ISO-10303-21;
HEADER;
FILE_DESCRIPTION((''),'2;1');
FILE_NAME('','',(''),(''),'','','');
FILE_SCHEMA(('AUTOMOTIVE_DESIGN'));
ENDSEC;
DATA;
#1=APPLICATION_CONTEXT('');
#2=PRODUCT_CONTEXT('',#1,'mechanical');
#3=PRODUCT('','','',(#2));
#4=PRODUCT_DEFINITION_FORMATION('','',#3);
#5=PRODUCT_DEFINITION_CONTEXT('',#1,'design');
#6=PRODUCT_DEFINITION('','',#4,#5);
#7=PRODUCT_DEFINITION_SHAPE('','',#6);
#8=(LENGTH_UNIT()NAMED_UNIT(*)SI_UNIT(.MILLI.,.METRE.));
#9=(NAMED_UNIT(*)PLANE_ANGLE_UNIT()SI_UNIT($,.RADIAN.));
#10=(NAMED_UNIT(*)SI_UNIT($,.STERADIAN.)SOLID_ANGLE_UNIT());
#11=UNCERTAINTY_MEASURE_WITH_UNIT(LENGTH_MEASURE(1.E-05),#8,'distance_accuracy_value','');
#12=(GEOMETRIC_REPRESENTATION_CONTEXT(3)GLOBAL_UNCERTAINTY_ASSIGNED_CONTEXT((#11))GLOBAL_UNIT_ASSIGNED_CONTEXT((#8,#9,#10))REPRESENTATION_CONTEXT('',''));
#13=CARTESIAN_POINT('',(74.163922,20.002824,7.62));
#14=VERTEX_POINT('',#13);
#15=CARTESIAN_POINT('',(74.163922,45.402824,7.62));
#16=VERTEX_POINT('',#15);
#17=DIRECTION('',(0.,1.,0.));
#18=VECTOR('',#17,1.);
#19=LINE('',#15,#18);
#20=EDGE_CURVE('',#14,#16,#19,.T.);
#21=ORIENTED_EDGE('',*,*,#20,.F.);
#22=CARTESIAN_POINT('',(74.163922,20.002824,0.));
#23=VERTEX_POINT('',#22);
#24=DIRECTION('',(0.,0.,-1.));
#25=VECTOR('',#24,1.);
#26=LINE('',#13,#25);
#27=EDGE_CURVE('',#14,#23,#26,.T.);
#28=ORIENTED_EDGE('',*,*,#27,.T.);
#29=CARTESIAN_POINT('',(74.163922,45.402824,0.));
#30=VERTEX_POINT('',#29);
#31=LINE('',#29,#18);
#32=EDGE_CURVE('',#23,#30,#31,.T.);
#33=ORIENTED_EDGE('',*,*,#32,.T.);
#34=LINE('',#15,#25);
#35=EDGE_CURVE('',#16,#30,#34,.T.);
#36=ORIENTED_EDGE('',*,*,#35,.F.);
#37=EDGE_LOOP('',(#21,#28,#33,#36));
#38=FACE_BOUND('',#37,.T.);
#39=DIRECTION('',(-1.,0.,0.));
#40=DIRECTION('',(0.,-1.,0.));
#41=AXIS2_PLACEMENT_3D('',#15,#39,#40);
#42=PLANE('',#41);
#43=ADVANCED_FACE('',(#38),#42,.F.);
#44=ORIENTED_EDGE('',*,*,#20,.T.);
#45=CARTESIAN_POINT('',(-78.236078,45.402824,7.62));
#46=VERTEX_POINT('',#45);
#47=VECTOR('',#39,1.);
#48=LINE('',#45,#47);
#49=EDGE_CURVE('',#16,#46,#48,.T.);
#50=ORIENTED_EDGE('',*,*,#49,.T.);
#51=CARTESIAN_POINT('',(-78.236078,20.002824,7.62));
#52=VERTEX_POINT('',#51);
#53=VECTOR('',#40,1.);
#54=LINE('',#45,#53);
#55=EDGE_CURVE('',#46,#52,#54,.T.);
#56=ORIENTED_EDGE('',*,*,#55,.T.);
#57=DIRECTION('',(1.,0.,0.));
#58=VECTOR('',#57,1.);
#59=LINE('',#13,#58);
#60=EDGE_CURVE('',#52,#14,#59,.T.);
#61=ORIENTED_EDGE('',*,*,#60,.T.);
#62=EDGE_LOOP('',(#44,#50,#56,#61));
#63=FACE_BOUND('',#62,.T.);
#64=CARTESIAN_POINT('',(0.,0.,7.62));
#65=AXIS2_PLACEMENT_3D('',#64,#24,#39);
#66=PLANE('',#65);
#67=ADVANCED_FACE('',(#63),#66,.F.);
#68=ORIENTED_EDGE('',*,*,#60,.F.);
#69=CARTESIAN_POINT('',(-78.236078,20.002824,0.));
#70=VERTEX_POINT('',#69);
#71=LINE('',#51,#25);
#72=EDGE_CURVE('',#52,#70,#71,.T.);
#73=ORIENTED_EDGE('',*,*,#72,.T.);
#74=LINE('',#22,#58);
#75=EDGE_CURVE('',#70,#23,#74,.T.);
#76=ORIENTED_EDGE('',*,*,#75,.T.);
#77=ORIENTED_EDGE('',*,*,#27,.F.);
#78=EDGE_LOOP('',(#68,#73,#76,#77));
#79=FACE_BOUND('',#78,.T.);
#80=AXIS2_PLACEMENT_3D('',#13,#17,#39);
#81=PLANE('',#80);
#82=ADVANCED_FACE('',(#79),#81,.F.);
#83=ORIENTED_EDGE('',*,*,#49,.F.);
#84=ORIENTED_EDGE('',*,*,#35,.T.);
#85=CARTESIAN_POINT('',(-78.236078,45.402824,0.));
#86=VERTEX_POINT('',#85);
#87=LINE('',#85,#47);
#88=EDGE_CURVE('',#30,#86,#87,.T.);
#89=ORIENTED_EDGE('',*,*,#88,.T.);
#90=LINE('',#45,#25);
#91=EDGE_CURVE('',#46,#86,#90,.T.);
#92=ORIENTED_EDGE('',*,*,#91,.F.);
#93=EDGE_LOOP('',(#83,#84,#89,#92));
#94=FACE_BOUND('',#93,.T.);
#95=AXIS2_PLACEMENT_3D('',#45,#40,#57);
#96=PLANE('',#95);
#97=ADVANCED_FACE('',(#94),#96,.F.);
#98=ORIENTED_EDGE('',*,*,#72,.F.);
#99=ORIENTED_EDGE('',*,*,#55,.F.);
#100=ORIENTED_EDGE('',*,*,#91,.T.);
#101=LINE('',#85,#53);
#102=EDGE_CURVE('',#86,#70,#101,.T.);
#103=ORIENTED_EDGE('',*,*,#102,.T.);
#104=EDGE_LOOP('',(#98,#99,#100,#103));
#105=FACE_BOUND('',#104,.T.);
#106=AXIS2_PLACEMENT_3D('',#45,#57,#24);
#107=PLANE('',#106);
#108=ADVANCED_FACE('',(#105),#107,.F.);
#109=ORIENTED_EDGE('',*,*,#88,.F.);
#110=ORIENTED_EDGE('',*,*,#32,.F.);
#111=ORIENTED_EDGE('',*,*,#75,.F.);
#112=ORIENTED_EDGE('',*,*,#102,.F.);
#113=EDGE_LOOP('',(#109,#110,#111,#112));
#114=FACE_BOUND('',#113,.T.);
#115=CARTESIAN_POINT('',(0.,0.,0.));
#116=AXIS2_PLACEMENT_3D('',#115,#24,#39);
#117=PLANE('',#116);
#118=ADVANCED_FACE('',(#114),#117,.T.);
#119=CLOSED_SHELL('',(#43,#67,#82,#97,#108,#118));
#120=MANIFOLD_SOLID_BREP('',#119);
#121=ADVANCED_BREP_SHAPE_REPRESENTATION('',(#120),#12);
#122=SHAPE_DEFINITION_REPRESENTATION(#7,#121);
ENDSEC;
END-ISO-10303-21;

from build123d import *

# Parameters (mm, degrees)
CROQUIS1_W              = 152.4
CROQUIS1_H              = 25.4
SALIENTE_EXTRUIR1_DEPTH = 7.62


with BuildPart() as part:
    # Croquis1 → Saliente-Extruir1 (new body)
    with BuildSketch(Plane.XY):
        with Locations((-2.036077634, 32.702823503)):
            Rectangle(CROQUIS1_W, CROQUIS1_H)
    extrude(amount=SALIENTE_EXTRUIR1_DEPTH)


solid = part.part
